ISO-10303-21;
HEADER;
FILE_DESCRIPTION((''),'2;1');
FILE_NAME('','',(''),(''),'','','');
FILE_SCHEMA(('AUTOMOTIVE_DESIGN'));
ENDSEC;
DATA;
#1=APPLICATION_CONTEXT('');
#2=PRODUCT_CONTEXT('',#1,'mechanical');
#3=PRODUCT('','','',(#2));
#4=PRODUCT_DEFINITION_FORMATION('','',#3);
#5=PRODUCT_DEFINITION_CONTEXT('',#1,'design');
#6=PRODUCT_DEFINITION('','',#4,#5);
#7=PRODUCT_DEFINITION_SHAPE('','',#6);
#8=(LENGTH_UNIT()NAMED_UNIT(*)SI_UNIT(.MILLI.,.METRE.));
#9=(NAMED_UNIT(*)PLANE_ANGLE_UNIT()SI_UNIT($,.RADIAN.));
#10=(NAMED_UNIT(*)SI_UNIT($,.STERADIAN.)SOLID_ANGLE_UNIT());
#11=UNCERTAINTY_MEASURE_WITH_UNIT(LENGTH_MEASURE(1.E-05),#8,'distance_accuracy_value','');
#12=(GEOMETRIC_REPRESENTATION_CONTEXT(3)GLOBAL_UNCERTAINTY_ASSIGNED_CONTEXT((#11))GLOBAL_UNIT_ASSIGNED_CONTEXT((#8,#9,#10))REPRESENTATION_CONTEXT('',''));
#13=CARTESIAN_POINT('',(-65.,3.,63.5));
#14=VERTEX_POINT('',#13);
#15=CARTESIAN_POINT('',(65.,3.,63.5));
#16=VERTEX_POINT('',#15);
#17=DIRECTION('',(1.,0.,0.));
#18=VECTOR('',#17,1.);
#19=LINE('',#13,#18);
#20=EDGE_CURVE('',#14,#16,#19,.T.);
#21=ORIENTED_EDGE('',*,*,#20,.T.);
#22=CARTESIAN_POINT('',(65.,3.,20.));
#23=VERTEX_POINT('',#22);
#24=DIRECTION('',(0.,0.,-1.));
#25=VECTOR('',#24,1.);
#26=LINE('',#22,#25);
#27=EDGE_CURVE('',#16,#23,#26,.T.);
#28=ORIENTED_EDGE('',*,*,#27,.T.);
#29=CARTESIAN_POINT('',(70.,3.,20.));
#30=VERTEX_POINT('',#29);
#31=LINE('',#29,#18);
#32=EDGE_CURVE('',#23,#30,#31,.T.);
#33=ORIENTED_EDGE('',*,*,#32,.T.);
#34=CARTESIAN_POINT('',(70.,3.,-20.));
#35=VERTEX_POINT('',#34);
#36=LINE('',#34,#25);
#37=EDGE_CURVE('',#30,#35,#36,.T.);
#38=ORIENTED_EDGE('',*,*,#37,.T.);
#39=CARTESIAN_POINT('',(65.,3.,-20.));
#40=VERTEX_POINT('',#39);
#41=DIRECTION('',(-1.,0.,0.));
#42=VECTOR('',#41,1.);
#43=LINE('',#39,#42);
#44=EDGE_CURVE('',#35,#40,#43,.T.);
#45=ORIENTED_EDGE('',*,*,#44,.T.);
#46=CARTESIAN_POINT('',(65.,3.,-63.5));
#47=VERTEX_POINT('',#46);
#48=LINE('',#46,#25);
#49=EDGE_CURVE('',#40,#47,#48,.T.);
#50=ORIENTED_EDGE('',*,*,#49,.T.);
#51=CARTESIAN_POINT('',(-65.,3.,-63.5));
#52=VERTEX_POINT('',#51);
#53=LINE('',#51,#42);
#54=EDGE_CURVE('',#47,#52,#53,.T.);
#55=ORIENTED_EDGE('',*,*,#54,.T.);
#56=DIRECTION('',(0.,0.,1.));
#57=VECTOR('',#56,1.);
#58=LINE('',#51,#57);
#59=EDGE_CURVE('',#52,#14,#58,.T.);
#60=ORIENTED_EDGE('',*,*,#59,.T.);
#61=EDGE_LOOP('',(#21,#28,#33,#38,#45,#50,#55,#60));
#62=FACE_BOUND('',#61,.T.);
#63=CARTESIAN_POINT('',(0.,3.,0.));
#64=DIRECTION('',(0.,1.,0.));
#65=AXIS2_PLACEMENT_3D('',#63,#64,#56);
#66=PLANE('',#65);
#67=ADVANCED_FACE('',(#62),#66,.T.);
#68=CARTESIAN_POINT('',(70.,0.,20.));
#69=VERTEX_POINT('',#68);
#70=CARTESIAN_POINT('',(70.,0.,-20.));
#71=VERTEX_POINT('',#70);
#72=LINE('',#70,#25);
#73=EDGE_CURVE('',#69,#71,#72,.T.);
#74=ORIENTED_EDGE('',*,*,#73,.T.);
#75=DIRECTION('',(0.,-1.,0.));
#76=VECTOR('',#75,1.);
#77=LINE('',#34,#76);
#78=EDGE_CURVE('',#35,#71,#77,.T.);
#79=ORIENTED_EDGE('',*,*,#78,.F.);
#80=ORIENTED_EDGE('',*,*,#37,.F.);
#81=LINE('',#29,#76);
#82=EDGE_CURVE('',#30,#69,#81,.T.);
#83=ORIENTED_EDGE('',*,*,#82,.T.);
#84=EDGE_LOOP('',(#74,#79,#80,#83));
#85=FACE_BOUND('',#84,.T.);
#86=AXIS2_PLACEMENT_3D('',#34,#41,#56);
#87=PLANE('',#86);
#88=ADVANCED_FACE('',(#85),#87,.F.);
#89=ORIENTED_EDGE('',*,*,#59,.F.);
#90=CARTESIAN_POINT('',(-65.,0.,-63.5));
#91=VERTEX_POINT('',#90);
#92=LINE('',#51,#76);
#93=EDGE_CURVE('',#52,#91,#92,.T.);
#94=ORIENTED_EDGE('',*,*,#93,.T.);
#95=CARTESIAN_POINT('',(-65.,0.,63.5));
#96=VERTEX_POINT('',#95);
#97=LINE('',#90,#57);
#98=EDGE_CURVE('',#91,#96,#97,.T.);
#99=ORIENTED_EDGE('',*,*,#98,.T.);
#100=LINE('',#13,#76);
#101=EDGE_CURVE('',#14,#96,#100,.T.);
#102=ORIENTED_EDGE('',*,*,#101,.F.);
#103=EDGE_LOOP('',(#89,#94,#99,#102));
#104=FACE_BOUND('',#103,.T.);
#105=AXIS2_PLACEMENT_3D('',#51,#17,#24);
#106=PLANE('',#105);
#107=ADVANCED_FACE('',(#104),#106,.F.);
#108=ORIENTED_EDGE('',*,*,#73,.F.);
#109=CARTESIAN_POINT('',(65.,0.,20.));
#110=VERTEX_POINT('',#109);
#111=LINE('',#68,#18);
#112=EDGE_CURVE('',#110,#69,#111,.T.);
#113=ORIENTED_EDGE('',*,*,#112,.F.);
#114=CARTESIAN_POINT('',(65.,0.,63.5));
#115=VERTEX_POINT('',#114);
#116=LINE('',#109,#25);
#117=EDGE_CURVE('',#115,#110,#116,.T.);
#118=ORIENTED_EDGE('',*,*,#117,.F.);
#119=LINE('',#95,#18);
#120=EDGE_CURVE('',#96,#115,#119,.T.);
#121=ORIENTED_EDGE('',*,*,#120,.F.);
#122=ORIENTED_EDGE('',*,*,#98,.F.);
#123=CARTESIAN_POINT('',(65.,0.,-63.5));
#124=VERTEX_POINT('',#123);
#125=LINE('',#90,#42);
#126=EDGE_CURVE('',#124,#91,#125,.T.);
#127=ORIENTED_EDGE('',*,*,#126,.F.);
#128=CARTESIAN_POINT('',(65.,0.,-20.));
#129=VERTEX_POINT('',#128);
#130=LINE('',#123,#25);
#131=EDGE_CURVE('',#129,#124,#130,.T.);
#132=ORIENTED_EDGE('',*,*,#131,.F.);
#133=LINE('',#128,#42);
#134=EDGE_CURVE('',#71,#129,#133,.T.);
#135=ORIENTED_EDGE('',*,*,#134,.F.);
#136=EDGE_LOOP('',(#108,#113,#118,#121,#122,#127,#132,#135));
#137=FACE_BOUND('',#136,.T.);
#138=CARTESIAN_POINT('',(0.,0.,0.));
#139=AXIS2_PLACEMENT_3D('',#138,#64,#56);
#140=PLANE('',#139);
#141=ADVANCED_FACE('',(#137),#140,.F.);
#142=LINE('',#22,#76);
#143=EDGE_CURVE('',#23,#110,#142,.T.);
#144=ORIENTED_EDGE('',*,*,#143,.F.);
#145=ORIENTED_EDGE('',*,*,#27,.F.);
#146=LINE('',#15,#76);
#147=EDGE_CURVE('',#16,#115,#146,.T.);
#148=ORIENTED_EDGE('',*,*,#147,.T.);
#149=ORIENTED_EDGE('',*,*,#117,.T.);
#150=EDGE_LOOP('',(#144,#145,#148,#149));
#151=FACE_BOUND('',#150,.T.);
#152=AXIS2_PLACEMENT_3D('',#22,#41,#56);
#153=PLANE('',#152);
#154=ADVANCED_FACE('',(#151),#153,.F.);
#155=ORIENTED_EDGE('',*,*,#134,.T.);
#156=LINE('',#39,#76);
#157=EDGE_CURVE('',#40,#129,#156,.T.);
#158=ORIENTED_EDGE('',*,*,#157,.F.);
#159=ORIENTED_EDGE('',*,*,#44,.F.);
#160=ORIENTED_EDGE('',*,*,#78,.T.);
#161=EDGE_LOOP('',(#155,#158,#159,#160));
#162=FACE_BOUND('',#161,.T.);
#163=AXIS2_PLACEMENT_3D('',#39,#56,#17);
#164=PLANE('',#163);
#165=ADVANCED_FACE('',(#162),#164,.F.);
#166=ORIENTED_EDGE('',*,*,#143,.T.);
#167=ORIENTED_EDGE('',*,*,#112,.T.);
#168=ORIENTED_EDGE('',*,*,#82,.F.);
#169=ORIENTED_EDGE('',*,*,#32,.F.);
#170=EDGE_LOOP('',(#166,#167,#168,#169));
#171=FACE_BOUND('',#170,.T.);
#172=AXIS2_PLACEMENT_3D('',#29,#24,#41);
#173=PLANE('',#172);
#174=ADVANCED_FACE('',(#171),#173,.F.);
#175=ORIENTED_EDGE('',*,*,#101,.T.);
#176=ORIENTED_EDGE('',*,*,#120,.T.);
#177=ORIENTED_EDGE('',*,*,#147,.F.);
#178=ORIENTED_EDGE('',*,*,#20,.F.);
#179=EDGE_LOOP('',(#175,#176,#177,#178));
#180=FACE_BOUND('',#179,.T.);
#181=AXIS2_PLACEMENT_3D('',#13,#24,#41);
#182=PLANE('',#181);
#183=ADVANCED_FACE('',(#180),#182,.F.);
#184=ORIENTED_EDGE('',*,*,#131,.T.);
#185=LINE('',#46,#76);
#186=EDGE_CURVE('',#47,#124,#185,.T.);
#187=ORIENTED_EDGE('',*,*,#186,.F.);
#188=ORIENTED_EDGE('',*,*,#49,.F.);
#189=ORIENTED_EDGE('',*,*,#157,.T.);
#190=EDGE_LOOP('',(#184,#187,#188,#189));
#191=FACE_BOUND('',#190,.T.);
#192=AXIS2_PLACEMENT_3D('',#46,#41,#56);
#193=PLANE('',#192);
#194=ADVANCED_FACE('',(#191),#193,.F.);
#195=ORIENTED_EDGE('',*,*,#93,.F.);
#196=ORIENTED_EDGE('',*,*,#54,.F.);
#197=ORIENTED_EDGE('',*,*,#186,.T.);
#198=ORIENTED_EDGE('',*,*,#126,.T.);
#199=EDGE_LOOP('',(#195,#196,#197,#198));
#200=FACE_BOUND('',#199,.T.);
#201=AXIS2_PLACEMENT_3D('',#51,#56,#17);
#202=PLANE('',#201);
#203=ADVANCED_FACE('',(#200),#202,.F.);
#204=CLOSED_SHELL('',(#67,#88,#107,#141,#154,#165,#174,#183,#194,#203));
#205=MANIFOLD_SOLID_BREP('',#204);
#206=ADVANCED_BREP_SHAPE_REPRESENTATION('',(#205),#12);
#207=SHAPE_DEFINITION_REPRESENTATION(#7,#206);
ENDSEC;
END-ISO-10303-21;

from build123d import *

# Parameters (mm, degrees)
BOSS_EXTRUDE1_DEPTH = 3


with BuildPart() as part:
    # Sketch1 → Boss-Extrude1 (new body)
    with BuildSketch(Plane(origin=(0, 0, 0), x_dir=(1, 0, 0), z_dir=(0, 1, 0))):
        Polygon((65, 20), (70, 20), (70, -20), (65, -20), (65, -63.5), (-65, -63.5), (-65, 63.5), (65, 63.5), align=None)
    extrude(amount=BOSS_EXTRUDE1_DEPTH)


solid = part.part
